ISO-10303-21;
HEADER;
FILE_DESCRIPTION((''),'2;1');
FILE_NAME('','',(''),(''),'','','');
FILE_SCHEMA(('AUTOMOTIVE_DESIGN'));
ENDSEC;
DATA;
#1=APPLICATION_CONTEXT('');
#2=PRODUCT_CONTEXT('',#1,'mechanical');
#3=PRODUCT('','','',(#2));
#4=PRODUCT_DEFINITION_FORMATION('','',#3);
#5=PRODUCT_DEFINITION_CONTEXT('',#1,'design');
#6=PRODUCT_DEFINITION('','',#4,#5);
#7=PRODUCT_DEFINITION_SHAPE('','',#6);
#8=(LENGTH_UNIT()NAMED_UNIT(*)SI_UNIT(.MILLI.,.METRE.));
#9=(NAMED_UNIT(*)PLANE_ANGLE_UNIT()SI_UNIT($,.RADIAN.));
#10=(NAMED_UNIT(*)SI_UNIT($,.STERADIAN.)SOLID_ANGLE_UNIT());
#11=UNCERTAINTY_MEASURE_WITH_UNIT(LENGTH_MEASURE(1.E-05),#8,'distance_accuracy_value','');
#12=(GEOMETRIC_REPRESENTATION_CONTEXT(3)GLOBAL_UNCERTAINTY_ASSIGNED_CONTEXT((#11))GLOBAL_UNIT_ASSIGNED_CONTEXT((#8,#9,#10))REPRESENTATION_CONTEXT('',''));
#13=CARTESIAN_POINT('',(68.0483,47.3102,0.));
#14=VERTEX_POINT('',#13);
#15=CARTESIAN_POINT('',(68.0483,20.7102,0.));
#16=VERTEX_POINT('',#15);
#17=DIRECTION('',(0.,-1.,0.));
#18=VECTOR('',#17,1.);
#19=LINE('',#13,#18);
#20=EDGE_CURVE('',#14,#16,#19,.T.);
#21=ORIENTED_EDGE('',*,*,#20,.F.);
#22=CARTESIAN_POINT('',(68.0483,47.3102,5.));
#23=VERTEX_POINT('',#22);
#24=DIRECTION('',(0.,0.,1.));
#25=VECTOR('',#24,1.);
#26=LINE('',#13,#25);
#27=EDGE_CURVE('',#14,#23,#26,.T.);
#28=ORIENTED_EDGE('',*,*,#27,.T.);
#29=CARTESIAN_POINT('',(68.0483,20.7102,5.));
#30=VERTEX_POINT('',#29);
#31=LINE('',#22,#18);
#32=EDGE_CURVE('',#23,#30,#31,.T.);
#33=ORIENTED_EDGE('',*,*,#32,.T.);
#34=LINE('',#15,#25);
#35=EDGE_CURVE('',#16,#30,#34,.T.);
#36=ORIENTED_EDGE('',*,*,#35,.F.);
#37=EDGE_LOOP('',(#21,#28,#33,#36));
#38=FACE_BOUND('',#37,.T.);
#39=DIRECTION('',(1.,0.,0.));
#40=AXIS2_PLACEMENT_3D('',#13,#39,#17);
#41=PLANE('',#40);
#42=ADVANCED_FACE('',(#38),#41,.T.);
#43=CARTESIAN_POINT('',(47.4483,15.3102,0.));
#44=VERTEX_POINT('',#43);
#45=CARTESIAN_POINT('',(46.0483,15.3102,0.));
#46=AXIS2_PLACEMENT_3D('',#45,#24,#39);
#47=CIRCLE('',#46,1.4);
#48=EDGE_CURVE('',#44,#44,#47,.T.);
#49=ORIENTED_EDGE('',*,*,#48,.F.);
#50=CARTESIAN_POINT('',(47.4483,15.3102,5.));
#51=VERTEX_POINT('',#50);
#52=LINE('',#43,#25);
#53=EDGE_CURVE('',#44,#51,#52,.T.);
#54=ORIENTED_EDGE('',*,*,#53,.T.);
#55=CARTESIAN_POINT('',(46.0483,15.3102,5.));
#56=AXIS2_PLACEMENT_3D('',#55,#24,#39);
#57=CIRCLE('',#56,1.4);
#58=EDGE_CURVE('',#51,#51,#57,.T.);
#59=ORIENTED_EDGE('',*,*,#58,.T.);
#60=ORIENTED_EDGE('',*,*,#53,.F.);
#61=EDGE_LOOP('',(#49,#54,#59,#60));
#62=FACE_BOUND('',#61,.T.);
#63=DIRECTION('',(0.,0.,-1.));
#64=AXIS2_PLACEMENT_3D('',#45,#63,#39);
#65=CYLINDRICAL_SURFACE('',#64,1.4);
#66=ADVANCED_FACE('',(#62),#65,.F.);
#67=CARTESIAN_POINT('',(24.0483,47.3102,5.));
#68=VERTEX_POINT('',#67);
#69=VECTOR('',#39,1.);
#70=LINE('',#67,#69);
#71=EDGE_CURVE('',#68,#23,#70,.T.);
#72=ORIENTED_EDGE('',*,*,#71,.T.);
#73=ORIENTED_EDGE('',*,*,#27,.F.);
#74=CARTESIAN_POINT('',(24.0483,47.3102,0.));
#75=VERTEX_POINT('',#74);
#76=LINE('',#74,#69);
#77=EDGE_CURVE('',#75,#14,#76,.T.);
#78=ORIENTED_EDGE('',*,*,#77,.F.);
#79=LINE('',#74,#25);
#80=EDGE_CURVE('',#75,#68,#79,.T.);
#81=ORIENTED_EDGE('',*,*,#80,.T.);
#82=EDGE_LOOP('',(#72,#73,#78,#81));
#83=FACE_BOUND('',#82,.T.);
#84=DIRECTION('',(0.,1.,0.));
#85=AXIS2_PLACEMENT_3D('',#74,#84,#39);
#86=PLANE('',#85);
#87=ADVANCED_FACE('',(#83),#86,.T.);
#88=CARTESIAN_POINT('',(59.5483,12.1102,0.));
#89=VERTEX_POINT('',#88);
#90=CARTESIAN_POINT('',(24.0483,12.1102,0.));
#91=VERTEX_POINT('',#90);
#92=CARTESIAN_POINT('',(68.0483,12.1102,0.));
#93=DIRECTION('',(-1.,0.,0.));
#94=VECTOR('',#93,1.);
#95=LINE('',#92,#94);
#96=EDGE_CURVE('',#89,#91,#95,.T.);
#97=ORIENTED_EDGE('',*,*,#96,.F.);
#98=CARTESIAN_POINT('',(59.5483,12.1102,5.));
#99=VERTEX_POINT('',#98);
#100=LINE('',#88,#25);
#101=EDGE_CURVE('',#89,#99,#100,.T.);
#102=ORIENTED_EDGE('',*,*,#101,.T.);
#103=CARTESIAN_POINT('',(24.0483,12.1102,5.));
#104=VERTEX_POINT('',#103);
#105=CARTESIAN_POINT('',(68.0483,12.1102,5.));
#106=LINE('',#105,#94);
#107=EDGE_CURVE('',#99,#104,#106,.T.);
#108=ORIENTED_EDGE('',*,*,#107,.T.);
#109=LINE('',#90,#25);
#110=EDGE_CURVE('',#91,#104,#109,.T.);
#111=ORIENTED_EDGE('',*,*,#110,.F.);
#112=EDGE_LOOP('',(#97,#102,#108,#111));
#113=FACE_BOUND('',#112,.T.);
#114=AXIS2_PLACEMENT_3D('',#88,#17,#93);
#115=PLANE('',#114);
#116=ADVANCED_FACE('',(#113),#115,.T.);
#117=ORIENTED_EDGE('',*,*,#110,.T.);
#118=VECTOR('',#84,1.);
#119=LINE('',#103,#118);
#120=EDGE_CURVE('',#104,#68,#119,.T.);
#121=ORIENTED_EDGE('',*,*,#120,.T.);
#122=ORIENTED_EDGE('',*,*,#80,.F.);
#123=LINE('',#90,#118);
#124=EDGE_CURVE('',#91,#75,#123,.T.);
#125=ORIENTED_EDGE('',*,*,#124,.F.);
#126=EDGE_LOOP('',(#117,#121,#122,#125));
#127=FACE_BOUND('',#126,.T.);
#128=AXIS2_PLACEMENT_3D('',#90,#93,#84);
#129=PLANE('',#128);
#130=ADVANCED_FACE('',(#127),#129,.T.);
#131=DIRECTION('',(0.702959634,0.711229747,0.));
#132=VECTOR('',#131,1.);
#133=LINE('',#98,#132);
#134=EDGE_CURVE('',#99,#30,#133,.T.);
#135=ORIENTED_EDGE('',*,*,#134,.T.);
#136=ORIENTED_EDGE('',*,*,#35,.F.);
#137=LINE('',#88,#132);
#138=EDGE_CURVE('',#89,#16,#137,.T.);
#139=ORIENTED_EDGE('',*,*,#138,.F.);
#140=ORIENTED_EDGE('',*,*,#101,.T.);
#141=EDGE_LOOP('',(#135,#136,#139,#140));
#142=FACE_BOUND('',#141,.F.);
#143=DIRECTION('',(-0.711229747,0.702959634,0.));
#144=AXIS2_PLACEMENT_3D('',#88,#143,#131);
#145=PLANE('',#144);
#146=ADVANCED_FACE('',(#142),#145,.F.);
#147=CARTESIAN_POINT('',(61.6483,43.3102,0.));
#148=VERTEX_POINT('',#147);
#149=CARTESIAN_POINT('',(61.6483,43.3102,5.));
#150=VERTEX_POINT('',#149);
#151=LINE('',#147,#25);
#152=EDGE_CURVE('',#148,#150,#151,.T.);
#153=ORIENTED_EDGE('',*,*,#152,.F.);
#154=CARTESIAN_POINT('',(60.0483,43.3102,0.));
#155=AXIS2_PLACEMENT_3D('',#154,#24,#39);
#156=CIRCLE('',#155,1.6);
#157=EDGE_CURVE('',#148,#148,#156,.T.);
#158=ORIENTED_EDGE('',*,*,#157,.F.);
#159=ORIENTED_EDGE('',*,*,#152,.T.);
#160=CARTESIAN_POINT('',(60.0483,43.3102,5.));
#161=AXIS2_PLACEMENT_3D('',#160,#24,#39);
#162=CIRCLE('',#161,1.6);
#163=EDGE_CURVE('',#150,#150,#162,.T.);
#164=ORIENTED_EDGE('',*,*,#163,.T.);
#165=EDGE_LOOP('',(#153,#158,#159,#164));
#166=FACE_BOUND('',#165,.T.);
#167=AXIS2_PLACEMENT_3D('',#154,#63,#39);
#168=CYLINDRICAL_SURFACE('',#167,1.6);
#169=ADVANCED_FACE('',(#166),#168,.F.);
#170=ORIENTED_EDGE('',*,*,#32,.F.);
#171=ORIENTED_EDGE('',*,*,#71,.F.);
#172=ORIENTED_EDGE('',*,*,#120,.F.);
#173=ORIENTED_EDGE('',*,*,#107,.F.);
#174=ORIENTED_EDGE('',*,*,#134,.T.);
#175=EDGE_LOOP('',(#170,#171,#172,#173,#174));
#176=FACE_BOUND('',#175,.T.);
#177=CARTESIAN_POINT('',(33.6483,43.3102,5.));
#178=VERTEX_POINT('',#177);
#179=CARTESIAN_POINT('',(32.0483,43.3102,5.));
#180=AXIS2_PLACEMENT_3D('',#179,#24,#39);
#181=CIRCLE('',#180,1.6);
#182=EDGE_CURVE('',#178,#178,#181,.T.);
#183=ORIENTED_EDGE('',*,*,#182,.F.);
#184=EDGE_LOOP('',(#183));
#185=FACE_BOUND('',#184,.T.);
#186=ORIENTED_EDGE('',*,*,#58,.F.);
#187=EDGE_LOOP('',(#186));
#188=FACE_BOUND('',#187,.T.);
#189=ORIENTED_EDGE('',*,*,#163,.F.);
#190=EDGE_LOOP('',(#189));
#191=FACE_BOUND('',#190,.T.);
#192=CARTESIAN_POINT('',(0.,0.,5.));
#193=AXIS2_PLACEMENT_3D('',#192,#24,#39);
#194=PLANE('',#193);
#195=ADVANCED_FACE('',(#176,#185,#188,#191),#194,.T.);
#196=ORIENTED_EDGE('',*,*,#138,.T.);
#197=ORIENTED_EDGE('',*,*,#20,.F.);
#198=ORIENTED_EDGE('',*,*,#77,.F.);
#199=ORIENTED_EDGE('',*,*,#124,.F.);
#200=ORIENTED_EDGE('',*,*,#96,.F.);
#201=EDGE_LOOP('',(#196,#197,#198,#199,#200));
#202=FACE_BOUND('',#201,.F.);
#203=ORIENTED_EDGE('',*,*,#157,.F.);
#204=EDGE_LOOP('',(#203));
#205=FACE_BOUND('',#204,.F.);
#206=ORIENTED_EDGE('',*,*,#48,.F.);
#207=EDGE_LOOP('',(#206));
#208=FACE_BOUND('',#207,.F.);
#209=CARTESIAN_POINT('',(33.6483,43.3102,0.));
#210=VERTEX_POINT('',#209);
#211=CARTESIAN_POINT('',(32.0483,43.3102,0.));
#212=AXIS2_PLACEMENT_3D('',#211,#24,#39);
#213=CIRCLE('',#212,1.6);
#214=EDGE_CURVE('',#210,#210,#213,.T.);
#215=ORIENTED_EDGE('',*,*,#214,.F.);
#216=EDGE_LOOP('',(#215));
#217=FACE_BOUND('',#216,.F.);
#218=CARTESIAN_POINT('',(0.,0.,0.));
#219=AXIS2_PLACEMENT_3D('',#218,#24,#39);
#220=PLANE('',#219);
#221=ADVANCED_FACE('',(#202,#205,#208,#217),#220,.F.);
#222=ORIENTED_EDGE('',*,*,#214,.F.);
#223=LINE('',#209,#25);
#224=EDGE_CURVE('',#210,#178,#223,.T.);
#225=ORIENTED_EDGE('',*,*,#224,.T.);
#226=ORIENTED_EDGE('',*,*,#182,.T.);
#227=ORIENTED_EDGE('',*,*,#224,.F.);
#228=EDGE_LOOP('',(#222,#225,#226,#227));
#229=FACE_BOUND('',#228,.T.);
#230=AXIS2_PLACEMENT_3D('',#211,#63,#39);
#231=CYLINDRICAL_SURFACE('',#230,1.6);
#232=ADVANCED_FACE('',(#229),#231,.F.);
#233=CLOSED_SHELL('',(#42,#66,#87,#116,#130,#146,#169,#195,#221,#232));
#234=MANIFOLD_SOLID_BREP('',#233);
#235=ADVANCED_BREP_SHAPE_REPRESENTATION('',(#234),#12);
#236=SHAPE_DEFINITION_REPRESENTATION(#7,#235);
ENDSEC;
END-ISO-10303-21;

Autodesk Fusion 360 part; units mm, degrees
sketch "Schizzo1" plane through (0, 0, 0) normal (0, 0, 1) x (1, 0, 0)
  line L0 (24.0483, 47.3102) -> (68.0483, 47.3102)
  line L1 (68.0483, 47.3102) -> (68.0483, 12.1102)
  line L2 (68.0483, 12.1102) -> (24.0483, 12.1102)
  line L3 (24.0483, 12.1102) -> (24.0483, 47.3102)
  line L4 (46.0483, 47.3102) -> (46.0483, 12.1102) construction
  line L5 (24.0483, 43.3102) -> (68.0483, 43.3102) construction
  circle A0 centre (46.0483, 15.3102) radius 1.4
  circle A1 centre (32.0483, 43.3102) radius 1.6
  circle A2 centre (60.0483, 43.3102) radius 1.6
  line L6 (59.5483, 12.1102) -> (68.0483, 20.7102)
  dimension "d1" = 44
  dimension "d2" = 35.2
  dimension "d3" = 2.8
  dimension "d4" = 4
  dimension "d6" = 28
  dimension "d7" = 3.2
  dimension "d8" = 28
  dimension "d9" = 8.5
  dimension "d10" = 8.6
extrude "Estrusione1" add sketch "Schizzo1" along normal blind 5 contours L0 L1 L2 L3 L6
